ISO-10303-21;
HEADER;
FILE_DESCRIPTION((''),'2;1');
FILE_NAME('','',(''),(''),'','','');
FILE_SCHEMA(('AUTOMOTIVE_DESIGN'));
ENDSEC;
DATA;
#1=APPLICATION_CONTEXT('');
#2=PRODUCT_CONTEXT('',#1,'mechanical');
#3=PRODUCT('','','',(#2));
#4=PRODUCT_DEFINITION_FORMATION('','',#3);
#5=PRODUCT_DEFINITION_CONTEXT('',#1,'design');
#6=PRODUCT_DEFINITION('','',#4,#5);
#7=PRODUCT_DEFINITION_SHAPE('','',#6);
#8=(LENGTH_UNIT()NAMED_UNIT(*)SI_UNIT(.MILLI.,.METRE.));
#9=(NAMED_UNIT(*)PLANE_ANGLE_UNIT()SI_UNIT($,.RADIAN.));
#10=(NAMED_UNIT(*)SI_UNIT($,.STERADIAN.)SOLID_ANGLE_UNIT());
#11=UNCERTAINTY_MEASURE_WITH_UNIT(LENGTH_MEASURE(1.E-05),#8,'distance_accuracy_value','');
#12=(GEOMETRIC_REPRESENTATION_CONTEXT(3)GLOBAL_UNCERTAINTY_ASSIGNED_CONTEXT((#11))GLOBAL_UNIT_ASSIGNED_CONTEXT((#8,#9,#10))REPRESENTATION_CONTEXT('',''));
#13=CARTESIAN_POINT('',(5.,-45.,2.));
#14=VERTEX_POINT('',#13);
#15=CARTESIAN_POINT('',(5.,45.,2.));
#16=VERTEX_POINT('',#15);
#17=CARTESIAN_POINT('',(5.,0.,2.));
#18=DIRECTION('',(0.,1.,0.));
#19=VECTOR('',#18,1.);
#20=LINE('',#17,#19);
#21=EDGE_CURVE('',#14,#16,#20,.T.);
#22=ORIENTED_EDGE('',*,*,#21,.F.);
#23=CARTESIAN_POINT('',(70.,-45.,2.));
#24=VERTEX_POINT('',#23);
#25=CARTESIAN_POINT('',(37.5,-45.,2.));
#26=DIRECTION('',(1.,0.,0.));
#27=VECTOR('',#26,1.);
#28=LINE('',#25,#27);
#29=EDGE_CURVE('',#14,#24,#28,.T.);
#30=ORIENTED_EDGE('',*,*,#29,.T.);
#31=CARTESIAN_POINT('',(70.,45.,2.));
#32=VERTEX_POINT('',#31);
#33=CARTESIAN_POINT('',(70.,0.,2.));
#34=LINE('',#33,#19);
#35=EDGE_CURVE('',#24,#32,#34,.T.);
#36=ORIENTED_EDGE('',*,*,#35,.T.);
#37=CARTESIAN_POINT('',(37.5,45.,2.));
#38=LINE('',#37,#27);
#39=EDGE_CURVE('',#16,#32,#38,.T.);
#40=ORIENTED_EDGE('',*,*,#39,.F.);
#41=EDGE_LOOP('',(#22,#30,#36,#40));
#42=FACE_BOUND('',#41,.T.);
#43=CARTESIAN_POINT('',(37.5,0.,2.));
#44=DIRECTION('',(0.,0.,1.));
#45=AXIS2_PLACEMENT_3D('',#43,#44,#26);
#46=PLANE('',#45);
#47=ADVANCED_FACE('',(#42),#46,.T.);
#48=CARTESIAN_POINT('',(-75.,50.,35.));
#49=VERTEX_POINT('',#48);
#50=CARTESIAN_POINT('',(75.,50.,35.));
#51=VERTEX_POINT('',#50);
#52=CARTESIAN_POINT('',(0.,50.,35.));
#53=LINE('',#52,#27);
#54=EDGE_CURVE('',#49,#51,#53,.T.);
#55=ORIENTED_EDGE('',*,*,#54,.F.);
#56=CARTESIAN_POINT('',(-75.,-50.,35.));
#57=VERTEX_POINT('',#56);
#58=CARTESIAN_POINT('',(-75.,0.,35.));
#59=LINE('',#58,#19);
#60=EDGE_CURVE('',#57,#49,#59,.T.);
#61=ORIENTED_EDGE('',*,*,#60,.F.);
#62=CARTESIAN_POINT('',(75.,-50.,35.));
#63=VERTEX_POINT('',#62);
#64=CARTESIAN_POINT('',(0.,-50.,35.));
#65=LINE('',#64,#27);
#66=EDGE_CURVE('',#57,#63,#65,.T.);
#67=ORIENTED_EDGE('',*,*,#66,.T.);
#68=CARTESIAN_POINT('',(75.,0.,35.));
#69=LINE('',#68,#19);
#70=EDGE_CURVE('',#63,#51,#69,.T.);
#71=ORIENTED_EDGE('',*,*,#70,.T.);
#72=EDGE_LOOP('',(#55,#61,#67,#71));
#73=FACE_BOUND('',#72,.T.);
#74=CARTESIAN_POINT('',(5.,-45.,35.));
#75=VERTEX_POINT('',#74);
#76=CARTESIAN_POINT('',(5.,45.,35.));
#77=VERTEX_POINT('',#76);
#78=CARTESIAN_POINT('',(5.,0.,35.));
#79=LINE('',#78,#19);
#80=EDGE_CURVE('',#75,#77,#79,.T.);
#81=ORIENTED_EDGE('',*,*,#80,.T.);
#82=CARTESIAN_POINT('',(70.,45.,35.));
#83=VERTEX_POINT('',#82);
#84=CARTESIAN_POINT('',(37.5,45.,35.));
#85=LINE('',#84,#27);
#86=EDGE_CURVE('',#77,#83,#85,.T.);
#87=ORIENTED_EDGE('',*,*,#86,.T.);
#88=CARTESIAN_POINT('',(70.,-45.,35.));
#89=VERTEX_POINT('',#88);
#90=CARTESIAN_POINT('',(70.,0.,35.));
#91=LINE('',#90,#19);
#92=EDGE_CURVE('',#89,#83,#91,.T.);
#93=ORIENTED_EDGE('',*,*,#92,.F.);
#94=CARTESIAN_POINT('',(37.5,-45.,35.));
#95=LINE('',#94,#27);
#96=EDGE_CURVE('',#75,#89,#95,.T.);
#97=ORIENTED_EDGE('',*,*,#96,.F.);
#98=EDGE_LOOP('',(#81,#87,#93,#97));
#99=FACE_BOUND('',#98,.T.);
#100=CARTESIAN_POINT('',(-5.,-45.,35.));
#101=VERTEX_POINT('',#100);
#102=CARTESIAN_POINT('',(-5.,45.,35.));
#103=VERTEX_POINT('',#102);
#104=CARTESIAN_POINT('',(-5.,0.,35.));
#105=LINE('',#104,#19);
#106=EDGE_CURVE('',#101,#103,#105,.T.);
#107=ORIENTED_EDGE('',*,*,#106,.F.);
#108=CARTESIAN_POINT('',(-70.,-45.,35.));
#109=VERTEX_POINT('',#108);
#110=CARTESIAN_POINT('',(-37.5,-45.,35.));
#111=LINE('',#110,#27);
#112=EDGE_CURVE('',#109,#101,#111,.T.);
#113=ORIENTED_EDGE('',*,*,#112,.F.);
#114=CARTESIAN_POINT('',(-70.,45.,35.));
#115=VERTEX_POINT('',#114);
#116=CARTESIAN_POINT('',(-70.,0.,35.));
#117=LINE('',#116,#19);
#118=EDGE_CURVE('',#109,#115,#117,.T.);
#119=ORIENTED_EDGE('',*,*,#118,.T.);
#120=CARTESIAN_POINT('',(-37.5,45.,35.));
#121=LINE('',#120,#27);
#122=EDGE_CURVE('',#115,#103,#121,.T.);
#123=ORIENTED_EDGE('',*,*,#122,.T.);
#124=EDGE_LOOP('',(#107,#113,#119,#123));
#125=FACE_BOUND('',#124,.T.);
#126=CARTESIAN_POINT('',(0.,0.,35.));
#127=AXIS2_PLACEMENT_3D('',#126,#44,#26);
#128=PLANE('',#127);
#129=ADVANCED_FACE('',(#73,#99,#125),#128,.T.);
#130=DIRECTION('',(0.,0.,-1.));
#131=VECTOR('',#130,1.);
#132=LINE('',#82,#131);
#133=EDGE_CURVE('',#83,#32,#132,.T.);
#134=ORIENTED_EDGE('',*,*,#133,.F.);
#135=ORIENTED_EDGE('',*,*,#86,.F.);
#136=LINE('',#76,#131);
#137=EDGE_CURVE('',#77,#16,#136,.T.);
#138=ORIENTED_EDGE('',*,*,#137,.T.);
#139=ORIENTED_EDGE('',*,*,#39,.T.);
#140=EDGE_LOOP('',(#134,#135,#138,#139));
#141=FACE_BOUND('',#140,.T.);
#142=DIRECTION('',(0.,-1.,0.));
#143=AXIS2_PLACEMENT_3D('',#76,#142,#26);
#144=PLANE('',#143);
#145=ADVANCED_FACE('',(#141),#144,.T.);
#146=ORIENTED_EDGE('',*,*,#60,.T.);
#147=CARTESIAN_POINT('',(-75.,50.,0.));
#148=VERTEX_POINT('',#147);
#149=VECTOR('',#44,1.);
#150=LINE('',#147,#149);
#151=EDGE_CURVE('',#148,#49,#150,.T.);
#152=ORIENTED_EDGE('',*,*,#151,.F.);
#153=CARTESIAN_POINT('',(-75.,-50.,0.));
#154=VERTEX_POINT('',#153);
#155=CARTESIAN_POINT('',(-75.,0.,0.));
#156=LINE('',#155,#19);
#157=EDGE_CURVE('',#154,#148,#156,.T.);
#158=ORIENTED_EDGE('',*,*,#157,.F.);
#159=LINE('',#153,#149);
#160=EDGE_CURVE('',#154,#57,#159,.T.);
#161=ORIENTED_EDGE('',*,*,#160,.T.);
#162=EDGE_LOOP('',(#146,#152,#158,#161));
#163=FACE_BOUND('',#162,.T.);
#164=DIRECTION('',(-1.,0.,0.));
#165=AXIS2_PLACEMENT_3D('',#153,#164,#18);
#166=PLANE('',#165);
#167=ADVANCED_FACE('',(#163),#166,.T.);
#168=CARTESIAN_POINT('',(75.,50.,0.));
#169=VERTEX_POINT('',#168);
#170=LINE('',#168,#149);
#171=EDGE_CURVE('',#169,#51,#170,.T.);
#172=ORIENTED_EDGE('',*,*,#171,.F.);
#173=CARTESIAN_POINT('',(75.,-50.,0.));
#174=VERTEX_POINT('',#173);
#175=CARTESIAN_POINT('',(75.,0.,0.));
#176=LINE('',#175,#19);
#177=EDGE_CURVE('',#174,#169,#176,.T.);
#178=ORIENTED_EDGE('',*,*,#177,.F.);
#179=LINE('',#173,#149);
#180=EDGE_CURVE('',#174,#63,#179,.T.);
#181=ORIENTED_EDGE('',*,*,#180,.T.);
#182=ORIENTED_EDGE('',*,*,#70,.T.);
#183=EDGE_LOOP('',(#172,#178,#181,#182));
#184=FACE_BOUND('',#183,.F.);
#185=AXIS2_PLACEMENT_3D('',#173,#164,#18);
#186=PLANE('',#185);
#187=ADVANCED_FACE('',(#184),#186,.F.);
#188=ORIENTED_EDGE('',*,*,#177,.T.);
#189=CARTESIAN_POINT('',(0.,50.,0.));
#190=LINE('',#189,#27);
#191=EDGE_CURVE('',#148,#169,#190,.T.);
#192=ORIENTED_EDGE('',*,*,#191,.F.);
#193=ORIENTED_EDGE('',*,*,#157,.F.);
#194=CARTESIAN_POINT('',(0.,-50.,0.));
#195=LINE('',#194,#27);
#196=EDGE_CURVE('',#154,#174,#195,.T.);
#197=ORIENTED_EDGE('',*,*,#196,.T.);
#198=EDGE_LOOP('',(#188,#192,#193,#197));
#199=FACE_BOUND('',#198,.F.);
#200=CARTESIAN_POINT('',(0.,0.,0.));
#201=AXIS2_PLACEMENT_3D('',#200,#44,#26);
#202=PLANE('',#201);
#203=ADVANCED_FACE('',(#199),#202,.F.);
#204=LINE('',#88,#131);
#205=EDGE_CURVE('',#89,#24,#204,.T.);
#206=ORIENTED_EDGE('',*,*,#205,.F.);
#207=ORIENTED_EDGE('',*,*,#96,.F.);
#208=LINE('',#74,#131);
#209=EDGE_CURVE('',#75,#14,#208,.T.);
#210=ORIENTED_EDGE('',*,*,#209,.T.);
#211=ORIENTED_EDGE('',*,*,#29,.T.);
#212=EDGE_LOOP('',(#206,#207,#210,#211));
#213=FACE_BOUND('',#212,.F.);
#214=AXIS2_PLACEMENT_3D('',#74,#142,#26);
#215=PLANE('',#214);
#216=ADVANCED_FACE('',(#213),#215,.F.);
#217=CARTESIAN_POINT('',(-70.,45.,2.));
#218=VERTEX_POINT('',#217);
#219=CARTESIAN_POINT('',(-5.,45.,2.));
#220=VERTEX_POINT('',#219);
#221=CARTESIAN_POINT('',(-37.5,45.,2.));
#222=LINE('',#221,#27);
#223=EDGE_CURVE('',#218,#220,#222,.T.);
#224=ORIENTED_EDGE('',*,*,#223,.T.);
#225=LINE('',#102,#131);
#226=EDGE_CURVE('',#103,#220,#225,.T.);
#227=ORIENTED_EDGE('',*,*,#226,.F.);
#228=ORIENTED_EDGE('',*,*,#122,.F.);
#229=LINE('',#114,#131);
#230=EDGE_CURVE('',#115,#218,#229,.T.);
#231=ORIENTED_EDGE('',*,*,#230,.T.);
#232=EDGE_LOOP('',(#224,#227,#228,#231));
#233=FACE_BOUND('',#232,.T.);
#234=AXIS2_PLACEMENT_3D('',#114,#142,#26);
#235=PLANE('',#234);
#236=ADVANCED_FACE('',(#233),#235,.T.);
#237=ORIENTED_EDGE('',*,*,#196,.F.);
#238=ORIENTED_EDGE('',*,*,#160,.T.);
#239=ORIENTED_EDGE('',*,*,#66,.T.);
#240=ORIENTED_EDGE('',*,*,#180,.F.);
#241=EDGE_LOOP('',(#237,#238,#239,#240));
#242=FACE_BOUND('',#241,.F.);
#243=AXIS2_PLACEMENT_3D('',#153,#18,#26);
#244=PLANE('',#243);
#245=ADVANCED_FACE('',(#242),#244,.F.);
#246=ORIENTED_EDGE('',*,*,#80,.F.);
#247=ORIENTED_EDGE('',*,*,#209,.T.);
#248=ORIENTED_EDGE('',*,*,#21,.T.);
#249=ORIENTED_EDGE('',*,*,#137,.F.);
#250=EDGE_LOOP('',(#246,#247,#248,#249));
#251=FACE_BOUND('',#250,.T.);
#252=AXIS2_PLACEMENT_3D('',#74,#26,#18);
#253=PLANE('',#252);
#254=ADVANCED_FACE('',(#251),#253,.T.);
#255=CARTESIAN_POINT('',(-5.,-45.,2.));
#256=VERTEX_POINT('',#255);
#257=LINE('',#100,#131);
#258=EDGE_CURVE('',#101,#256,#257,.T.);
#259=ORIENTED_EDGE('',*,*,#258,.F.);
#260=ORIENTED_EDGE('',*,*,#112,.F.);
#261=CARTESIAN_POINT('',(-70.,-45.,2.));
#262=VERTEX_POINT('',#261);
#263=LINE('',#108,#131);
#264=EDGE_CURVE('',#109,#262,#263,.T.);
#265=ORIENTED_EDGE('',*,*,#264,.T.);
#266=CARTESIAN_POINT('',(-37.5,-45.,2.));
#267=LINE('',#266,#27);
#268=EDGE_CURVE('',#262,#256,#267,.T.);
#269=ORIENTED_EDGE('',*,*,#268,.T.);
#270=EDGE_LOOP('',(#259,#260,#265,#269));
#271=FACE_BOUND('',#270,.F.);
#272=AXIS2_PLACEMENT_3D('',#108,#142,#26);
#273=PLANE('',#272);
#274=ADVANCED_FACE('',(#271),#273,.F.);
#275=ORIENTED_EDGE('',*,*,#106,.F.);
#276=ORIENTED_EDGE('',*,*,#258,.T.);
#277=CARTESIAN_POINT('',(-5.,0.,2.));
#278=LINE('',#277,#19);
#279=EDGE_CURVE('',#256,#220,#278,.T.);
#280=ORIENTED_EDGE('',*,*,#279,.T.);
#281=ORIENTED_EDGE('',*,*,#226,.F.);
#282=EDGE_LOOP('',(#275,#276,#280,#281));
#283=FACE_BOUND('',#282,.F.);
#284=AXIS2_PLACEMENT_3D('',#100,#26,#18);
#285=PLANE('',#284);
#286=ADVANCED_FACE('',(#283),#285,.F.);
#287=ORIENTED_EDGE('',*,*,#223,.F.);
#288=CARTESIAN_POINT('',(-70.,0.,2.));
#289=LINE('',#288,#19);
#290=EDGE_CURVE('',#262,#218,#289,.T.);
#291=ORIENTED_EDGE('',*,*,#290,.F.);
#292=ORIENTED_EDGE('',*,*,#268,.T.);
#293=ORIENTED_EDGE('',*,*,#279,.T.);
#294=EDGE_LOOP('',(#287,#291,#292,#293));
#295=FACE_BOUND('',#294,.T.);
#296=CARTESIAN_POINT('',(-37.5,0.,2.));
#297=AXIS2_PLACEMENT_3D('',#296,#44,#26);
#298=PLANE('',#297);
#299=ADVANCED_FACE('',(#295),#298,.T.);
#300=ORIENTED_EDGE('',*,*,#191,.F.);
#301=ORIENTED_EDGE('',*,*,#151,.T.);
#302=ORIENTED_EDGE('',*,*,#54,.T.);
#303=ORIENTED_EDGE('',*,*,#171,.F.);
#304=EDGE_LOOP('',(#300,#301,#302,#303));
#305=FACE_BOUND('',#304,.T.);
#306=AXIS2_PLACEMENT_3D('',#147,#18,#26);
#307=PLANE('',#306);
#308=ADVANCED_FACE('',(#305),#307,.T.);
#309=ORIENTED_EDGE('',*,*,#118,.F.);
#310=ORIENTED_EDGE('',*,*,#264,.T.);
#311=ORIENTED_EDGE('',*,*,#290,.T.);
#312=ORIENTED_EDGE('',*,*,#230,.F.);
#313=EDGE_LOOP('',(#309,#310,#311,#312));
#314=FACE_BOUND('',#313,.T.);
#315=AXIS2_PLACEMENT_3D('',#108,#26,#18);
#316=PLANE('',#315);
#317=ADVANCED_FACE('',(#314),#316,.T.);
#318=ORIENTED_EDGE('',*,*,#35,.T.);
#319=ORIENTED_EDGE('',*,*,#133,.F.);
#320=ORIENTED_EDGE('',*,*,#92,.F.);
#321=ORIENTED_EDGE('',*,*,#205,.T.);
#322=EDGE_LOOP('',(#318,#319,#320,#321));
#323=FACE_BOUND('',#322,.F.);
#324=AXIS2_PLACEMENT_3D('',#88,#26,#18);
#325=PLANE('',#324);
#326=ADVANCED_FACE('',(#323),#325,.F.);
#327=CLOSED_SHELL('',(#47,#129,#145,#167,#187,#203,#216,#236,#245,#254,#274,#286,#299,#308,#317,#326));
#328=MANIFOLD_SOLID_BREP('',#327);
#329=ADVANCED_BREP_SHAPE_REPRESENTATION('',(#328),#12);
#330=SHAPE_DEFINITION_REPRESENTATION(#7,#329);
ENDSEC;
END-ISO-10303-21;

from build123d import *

# Parameters (mm, degrees)
F0_W     = 150
F0_H     = 100
F1_DEPTH = 35
F2_W     = 65
F2_H     = 90
F3_DEPTH = 33


with BuildPart() as f1:
    # F0 (on Top) → F1 (new body)
    with BuildSketch(Plane.XY):
        Rectangle(F0_W, F0_H)
    extrude(amount=F1_DEPTH)

    # F2 (on face) → F3 (cut)
    with BuildSketch(Plane.XY.offset(35)):
        with Locations((-37.5, 0)):
            Rectangle(F2_W, F2_H)
        with Locations((37.5, 0)):
            Rectangle(F2_W, F2_H)
    extrude(amount=-F3_DEPTH, mode=Mode.SUBTRACT)


solid = f1.part
